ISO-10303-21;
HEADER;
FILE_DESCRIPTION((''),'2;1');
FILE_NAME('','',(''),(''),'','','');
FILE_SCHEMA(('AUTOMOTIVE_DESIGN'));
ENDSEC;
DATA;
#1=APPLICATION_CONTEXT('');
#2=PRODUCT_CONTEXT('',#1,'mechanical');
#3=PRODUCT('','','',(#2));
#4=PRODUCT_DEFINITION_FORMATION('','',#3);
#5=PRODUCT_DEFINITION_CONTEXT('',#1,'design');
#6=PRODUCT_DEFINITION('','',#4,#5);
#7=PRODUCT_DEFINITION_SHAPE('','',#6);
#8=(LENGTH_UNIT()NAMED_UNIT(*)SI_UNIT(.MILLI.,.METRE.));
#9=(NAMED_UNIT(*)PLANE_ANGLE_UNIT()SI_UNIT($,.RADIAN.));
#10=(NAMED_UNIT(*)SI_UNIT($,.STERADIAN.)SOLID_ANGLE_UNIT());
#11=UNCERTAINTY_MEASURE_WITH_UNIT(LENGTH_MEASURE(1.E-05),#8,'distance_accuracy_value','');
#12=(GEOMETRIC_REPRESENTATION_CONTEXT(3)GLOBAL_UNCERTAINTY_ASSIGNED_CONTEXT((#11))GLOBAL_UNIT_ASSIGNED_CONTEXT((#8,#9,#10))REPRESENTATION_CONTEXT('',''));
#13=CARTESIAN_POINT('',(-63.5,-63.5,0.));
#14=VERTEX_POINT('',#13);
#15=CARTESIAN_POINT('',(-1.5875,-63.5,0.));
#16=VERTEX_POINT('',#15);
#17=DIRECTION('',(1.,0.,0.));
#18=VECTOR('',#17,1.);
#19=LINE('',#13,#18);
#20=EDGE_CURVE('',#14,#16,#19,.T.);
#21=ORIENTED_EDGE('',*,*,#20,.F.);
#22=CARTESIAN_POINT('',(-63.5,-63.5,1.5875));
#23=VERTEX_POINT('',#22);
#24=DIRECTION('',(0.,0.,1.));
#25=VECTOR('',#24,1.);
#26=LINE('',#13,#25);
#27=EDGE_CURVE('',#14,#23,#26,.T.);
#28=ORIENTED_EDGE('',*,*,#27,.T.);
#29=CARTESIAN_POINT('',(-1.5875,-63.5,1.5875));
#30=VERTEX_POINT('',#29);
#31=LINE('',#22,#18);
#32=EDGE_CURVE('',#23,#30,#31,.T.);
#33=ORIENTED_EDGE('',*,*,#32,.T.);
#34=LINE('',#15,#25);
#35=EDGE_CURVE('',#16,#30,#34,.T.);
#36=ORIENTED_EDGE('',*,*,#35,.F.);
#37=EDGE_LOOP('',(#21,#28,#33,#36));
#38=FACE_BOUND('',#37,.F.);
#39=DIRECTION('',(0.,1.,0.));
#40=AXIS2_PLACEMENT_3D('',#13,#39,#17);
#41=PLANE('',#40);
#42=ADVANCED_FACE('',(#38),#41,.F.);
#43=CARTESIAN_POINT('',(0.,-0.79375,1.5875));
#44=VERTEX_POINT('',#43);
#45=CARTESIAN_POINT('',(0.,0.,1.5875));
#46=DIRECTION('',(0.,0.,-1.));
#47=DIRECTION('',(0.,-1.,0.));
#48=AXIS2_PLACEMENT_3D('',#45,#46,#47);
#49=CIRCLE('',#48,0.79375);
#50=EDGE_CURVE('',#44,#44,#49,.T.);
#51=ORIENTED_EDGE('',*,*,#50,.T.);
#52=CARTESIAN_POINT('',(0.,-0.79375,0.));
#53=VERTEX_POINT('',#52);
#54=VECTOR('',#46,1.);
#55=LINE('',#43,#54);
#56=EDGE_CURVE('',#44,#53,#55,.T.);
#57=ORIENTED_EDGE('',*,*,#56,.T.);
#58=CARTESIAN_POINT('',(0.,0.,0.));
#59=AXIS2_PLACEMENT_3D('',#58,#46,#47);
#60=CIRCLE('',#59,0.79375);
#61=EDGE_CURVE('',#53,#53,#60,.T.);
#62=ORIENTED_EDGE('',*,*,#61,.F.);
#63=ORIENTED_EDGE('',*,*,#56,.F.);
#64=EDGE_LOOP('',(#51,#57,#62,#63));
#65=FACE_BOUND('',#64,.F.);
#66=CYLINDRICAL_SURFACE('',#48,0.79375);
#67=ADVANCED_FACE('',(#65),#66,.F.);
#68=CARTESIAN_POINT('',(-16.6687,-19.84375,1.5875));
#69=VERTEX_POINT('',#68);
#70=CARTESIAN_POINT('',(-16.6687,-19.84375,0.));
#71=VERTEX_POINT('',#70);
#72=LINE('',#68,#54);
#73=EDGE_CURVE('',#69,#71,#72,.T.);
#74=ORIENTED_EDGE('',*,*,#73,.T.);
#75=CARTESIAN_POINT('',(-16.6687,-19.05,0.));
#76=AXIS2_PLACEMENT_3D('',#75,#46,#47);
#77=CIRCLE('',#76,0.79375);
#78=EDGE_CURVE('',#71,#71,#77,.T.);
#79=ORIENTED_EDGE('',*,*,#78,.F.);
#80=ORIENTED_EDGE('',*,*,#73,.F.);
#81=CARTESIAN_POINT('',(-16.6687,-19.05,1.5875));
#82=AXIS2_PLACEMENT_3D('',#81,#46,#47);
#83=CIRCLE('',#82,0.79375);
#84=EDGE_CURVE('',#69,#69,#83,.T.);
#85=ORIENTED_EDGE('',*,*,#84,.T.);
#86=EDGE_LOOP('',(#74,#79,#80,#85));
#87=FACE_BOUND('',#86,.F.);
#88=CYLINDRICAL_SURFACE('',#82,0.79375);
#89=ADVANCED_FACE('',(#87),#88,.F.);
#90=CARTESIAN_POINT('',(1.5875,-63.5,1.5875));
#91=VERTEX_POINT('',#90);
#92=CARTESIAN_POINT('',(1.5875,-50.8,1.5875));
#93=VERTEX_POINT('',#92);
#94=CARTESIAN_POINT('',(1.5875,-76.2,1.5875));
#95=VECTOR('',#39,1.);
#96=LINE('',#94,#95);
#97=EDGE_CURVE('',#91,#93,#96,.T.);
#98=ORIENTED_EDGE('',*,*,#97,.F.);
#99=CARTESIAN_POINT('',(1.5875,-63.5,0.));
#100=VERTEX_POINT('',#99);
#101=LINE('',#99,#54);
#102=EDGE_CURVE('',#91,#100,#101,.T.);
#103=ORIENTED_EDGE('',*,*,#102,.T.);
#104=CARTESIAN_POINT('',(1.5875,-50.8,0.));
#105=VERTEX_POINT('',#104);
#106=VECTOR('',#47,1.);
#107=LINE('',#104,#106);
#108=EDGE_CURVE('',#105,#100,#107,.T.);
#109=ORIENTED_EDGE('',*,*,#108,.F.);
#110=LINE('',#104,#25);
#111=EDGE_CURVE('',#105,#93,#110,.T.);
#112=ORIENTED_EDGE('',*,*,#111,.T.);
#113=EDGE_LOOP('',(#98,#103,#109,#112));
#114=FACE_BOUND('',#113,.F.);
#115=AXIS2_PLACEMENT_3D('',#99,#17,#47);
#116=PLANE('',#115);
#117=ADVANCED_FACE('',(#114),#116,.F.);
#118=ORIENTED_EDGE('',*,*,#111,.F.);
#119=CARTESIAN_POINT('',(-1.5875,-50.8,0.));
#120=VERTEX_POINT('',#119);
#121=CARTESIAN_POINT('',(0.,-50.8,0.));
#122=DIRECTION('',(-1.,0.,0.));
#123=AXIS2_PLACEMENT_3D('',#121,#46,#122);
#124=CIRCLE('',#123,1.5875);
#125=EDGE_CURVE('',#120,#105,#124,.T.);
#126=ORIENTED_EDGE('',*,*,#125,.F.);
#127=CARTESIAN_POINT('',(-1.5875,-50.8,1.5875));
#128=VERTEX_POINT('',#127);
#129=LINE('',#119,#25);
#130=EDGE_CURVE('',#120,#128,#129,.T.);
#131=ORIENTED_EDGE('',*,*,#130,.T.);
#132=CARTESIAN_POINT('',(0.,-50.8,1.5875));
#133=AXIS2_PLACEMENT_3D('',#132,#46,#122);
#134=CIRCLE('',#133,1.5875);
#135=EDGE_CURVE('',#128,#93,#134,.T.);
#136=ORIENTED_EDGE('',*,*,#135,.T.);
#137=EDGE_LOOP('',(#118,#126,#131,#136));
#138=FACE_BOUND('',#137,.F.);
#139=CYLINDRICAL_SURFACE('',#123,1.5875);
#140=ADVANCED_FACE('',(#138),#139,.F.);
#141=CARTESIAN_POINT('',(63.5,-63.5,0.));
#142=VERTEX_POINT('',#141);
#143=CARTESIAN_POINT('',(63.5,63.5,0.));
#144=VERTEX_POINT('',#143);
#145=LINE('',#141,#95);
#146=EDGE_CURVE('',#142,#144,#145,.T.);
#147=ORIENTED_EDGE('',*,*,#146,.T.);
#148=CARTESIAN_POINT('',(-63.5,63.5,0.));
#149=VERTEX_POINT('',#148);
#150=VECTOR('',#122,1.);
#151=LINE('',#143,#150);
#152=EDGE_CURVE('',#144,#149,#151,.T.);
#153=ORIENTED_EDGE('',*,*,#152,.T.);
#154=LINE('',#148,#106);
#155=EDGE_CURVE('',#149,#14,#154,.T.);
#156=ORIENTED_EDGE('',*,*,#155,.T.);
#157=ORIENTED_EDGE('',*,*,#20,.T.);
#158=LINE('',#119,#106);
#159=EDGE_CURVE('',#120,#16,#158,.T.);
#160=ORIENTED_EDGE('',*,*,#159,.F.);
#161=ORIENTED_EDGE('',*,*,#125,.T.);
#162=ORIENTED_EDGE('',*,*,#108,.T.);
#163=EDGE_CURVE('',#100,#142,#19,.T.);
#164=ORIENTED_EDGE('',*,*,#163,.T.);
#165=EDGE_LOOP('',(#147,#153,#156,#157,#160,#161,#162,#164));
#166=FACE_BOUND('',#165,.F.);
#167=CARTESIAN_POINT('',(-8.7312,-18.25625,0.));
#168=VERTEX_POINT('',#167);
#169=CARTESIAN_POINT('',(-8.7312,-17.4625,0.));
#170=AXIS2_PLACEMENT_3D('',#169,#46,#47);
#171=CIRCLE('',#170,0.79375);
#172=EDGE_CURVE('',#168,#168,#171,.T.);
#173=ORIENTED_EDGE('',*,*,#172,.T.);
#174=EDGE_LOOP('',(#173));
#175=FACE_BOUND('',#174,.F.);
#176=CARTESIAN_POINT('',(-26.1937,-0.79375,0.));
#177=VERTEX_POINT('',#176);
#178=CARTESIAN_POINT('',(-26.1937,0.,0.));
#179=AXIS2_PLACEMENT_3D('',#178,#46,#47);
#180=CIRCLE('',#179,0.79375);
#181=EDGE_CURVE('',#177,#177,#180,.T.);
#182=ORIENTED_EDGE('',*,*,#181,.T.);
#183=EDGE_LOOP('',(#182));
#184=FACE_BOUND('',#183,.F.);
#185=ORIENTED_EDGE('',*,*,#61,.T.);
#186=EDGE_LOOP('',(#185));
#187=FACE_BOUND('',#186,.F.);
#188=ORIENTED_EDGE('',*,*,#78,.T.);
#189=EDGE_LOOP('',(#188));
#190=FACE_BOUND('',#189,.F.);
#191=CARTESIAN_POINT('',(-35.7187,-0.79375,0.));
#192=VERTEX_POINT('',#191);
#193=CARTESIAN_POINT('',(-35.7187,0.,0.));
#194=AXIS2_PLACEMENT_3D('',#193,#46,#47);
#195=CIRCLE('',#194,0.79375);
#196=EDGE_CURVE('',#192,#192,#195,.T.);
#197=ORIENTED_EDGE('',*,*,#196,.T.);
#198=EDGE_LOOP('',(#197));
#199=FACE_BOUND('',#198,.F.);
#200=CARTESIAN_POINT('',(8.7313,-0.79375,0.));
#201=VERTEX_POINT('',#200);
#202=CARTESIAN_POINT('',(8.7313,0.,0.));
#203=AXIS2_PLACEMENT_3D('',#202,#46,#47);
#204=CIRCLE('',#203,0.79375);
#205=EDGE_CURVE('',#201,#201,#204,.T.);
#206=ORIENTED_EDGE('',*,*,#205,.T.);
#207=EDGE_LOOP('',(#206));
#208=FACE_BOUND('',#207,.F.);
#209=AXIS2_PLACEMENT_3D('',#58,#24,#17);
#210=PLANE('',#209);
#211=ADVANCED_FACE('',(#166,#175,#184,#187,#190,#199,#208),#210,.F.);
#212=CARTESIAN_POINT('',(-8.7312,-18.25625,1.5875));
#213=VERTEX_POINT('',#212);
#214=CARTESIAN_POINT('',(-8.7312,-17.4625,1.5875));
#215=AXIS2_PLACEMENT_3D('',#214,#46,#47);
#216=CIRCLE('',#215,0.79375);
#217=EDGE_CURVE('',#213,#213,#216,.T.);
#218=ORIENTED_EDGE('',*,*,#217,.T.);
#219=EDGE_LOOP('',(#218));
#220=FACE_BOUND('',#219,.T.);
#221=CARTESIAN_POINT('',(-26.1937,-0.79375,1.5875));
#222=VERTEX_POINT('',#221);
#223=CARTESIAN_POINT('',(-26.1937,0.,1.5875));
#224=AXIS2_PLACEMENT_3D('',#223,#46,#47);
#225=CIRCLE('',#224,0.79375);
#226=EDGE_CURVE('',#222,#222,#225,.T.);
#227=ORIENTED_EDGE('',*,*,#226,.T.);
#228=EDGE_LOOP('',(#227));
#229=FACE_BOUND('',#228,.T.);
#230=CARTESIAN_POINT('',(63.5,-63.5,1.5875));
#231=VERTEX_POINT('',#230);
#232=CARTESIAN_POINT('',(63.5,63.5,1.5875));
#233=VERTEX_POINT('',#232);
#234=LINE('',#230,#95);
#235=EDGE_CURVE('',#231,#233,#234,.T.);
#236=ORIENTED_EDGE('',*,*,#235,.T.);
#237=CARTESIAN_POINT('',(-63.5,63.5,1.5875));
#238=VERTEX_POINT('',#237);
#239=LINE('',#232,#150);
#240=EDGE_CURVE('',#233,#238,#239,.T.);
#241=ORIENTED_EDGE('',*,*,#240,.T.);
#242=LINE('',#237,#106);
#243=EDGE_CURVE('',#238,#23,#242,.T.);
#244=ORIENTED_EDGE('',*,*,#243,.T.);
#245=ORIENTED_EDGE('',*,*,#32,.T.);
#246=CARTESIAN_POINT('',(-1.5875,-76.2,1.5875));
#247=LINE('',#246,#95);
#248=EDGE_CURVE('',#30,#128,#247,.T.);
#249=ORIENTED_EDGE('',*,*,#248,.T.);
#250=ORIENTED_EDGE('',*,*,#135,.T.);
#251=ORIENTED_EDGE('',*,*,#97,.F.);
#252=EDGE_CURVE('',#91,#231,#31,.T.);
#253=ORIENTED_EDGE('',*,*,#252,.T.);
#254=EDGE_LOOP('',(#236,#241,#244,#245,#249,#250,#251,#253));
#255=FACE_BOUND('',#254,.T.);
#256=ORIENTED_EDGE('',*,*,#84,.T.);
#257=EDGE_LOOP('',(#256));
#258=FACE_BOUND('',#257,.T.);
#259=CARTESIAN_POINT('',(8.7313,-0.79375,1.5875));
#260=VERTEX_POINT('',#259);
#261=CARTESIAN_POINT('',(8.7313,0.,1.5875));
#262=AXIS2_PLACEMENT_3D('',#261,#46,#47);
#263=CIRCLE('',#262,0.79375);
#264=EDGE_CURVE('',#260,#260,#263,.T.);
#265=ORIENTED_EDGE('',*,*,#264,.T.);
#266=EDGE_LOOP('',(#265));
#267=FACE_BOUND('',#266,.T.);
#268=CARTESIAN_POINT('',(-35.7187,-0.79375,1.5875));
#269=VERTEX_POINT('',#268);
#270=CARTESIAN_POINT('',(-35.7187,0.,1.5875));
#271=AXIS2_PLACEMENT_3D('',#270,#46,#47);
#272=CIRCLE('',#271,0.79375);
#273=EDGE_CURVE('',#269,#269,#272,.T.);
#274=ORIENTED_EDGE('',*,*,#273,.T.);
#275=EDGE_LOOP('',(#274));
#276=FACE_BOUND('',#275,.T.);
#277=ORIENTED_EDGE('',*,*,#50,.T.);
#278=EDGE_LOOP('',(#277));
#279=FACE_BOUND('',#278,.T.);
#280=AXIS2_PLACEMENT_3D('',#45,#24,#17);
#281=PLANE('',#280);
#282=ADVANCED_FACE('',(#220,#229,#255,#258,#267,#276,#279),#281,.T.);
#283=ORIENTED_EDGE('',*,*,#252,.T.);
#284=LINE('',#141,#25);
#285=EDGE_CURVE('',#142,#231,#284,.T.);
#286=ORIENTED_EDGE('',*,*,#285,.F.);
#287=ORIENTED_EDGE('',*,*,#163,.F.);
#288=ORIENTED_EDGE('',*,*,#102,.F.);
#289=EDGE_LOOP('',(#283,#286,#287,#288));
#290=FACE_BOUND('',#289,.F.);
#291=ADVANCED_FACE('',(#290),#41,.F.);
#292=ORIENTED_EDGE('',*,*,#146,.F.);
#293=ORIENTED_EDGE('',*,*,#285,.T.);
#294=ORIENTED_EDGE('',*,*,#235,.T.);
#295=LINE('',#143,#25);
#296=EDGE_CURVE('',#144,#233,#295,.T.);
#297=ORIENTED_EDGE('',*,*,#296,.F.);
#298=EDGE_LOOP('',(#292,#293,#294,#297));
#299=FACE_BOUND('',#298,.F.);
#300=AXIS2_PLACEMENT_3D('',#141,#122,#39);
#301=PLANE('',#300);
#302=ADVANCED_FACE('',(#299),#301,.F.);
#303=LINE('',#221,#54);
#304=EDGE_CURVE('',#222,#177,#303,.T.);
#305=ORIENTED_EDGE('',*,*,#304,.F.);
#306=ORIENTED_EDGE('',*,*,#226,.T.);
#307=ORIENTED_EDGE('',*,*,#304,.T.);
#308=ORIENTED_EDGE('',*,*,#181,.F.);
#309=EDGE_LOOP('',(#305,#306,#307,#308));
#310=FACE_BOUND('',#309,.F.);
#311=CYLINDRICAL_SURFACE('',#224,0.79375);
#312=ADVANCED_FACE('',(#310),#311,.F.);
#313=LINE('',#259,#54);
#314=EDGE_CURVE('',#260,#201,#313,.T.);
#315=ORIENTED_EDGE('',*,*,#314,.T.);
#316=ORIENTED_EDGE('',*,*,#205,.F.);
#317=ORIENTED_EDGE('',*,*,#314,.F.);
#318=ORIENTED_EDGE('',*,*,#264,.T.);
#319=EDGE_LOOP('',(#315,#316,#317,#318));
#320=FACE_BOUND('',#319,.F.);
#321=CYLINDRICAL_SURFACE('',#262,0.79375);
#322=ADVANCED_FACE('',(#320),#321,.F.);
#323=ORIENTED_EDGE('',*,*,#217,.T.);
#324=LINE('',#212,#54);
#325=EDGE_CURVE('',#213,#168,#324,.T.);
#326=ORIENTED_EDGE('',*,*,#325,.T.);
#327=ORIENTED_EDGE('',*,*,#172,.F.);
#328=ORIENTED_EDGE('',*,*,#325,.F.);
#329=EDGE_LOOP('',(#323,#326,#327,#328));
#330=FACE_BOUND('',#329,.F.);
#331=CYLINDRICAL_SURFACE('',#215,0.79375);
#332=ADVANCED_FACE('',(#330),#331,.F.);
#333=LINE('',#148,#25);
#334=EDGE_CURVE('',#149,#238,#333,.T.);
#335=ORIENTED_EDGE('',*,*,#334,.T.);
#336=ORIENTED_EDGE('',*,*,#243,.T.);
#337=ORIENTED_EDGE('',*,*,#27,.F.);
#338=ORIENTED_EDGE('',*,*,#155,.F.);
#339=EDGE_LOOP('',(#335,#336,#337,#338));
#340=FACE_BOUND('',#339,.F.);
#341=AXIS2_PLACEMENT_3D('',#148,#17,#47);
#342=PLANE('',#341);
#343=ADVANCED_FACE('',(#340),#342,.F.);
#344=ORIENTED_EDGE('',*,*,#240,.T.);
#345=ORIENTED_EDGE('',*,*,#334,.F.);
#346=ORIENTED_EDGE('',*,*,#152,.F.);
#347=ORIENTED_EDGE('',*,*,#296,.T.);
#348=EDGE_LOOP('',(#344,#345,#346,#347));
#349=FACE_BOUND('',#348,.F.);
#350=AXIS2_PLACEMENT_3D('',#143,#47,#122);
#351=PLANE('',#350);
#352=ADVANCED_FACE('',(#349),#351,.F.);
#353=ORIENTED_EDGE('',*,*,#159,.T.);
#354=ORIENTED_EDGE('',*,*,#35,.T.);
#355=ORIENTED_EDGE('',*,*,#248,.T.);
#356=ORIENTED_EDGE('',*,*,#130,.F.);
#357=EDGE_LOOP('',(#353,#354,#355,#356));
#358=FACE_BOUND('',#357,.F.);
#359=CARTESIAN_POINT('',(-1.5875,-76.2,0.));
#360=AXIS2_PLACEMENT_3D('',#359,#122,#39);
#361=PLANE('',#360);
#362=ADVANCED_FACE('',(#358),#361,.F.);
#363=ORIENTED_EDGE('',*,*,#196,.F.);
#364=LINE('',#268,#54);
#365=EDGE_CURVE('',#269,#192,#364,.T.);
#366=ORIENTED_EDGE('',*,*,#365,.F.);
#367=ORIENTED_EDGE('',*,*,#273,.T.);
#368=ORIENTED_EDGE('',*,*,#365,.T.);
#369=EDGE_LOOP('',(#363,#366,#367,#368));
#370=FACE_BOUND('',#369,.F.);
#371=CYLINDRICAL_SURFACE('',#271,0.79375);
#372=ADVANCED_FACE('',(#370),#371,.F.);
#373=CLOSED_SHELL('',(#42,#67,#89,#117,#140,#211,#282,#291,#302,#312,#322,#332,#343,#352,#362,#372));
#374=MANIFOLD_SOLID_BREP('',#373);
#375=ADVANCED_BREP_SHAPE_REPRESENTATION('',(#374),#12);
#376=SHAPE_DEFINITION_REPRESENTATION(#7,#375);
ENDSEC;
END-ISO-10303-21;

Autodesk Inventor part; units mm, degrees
ref_plane "YZ Plane" through (0, 0, 0) normal (1, 0, 0) x (0, 1, 0)
ref_plane "XZ Plane" through (0, 0, 0) normal (0, 1, 0) x (-1, 0, 0)
ref_plane "XY Plane" through (0, 0, 0) normal (0, 0, 1) x (1, 0, 0)
sketch "Sketch1" plane through (0, 0, 0) normal (0, 0, 1) x (1, 0, 0)
  line L0 (-63.5, -63.5) -> (63.5, -63.5)
  line L1 (63.5, -63.5) -> (63.5, 63.5)
  line L2 (63.5, 63.5) -> (-63.5, 63.5)
  line L3 (-63.5, 63.5) -> (-63.5, -63.5)
  line L4 (-63.5, -63.5) -> (63.5, 63.5) construction
  line L5 (63.5, -63.5) -> (-63.5, 63.5) construction
  point P0 (0, 0)
  dimension "d0" = 127
  dimension "d1" = 127
extrude "Extrusion1" add sketch "Sketch1" along normal blind 1.5875
sketch "Sketch2" plane through (0, 0, 0) normal (0, 0, -1) x (-1, 0, 0)
  line L0 (0, -76.2) -> (0, -50.8) construction
  line L1 (63.5, -63.5) -> (-63.5, -63.5) projected
  line L2 (1.5875, -76.2) -> (1.5875, -50.8)
  line L3 (-1.5875, -50.8) -> (-1.5875, -76.2)
  arc A0 (-1.5875, -76.2) -> (1.5875, -76.2) centre (0, -76.2) ccw
  arc A1 (1.5875, -50.8) -> (-1.5875, -50.8) centre (0, -50.8) ccw
  point P0 (0, 0)
  point P1 (0, -63.5)
  dimension "d4" = 12.7
  dimension "d5" = 3.175
extrude "Extrusion2" cut sketch "Sketch2" against normal blind 1.5875
sketch "Sketch3" plane through (0, 0, 1.5875) normal (0, 0, 1) x (1, 0, 0)
  line L0 (-35.7187, 0) -> (2.3813, 0)
  line L1 (-16.6687, 0) -> (-16.6687, -19.05)
  line L2 (-63.5, 63.5) -> (-63.5, -63.5) projected
  line L3 (-26.1937, 0) -> (8.7313, 0)
  line L4 (-8.7312, 0) -> (-8.7312, -17.4625)
  point P0 (0, 0)
  point P1 (0, 0)
  dimension "d8" = 38.1
  dimension "d9" = 19.05
  dimension "d10" = 19.05
  dimension "d11" = 27.7812
  dimension "d12" = 34.925
  dimension "d13" = 9.525
  dimension "d14" = 17.4625
  dimension "d15" = 17.4625
hole "Hole1" at (-35.7187, 0, 1.5875) at (-16.6687, -19.05, 1.5875) at (-26.1937, 0, 1.5875) at (-8.7312, -17.4625, 1.5875) at (8.7313, 0, 1.5875) at (0, 0, 1.5875) direction (0, 0, -1) diameter 1.5875 depth 25.4 tip angle 118
properties part number "fs_roughmask"
